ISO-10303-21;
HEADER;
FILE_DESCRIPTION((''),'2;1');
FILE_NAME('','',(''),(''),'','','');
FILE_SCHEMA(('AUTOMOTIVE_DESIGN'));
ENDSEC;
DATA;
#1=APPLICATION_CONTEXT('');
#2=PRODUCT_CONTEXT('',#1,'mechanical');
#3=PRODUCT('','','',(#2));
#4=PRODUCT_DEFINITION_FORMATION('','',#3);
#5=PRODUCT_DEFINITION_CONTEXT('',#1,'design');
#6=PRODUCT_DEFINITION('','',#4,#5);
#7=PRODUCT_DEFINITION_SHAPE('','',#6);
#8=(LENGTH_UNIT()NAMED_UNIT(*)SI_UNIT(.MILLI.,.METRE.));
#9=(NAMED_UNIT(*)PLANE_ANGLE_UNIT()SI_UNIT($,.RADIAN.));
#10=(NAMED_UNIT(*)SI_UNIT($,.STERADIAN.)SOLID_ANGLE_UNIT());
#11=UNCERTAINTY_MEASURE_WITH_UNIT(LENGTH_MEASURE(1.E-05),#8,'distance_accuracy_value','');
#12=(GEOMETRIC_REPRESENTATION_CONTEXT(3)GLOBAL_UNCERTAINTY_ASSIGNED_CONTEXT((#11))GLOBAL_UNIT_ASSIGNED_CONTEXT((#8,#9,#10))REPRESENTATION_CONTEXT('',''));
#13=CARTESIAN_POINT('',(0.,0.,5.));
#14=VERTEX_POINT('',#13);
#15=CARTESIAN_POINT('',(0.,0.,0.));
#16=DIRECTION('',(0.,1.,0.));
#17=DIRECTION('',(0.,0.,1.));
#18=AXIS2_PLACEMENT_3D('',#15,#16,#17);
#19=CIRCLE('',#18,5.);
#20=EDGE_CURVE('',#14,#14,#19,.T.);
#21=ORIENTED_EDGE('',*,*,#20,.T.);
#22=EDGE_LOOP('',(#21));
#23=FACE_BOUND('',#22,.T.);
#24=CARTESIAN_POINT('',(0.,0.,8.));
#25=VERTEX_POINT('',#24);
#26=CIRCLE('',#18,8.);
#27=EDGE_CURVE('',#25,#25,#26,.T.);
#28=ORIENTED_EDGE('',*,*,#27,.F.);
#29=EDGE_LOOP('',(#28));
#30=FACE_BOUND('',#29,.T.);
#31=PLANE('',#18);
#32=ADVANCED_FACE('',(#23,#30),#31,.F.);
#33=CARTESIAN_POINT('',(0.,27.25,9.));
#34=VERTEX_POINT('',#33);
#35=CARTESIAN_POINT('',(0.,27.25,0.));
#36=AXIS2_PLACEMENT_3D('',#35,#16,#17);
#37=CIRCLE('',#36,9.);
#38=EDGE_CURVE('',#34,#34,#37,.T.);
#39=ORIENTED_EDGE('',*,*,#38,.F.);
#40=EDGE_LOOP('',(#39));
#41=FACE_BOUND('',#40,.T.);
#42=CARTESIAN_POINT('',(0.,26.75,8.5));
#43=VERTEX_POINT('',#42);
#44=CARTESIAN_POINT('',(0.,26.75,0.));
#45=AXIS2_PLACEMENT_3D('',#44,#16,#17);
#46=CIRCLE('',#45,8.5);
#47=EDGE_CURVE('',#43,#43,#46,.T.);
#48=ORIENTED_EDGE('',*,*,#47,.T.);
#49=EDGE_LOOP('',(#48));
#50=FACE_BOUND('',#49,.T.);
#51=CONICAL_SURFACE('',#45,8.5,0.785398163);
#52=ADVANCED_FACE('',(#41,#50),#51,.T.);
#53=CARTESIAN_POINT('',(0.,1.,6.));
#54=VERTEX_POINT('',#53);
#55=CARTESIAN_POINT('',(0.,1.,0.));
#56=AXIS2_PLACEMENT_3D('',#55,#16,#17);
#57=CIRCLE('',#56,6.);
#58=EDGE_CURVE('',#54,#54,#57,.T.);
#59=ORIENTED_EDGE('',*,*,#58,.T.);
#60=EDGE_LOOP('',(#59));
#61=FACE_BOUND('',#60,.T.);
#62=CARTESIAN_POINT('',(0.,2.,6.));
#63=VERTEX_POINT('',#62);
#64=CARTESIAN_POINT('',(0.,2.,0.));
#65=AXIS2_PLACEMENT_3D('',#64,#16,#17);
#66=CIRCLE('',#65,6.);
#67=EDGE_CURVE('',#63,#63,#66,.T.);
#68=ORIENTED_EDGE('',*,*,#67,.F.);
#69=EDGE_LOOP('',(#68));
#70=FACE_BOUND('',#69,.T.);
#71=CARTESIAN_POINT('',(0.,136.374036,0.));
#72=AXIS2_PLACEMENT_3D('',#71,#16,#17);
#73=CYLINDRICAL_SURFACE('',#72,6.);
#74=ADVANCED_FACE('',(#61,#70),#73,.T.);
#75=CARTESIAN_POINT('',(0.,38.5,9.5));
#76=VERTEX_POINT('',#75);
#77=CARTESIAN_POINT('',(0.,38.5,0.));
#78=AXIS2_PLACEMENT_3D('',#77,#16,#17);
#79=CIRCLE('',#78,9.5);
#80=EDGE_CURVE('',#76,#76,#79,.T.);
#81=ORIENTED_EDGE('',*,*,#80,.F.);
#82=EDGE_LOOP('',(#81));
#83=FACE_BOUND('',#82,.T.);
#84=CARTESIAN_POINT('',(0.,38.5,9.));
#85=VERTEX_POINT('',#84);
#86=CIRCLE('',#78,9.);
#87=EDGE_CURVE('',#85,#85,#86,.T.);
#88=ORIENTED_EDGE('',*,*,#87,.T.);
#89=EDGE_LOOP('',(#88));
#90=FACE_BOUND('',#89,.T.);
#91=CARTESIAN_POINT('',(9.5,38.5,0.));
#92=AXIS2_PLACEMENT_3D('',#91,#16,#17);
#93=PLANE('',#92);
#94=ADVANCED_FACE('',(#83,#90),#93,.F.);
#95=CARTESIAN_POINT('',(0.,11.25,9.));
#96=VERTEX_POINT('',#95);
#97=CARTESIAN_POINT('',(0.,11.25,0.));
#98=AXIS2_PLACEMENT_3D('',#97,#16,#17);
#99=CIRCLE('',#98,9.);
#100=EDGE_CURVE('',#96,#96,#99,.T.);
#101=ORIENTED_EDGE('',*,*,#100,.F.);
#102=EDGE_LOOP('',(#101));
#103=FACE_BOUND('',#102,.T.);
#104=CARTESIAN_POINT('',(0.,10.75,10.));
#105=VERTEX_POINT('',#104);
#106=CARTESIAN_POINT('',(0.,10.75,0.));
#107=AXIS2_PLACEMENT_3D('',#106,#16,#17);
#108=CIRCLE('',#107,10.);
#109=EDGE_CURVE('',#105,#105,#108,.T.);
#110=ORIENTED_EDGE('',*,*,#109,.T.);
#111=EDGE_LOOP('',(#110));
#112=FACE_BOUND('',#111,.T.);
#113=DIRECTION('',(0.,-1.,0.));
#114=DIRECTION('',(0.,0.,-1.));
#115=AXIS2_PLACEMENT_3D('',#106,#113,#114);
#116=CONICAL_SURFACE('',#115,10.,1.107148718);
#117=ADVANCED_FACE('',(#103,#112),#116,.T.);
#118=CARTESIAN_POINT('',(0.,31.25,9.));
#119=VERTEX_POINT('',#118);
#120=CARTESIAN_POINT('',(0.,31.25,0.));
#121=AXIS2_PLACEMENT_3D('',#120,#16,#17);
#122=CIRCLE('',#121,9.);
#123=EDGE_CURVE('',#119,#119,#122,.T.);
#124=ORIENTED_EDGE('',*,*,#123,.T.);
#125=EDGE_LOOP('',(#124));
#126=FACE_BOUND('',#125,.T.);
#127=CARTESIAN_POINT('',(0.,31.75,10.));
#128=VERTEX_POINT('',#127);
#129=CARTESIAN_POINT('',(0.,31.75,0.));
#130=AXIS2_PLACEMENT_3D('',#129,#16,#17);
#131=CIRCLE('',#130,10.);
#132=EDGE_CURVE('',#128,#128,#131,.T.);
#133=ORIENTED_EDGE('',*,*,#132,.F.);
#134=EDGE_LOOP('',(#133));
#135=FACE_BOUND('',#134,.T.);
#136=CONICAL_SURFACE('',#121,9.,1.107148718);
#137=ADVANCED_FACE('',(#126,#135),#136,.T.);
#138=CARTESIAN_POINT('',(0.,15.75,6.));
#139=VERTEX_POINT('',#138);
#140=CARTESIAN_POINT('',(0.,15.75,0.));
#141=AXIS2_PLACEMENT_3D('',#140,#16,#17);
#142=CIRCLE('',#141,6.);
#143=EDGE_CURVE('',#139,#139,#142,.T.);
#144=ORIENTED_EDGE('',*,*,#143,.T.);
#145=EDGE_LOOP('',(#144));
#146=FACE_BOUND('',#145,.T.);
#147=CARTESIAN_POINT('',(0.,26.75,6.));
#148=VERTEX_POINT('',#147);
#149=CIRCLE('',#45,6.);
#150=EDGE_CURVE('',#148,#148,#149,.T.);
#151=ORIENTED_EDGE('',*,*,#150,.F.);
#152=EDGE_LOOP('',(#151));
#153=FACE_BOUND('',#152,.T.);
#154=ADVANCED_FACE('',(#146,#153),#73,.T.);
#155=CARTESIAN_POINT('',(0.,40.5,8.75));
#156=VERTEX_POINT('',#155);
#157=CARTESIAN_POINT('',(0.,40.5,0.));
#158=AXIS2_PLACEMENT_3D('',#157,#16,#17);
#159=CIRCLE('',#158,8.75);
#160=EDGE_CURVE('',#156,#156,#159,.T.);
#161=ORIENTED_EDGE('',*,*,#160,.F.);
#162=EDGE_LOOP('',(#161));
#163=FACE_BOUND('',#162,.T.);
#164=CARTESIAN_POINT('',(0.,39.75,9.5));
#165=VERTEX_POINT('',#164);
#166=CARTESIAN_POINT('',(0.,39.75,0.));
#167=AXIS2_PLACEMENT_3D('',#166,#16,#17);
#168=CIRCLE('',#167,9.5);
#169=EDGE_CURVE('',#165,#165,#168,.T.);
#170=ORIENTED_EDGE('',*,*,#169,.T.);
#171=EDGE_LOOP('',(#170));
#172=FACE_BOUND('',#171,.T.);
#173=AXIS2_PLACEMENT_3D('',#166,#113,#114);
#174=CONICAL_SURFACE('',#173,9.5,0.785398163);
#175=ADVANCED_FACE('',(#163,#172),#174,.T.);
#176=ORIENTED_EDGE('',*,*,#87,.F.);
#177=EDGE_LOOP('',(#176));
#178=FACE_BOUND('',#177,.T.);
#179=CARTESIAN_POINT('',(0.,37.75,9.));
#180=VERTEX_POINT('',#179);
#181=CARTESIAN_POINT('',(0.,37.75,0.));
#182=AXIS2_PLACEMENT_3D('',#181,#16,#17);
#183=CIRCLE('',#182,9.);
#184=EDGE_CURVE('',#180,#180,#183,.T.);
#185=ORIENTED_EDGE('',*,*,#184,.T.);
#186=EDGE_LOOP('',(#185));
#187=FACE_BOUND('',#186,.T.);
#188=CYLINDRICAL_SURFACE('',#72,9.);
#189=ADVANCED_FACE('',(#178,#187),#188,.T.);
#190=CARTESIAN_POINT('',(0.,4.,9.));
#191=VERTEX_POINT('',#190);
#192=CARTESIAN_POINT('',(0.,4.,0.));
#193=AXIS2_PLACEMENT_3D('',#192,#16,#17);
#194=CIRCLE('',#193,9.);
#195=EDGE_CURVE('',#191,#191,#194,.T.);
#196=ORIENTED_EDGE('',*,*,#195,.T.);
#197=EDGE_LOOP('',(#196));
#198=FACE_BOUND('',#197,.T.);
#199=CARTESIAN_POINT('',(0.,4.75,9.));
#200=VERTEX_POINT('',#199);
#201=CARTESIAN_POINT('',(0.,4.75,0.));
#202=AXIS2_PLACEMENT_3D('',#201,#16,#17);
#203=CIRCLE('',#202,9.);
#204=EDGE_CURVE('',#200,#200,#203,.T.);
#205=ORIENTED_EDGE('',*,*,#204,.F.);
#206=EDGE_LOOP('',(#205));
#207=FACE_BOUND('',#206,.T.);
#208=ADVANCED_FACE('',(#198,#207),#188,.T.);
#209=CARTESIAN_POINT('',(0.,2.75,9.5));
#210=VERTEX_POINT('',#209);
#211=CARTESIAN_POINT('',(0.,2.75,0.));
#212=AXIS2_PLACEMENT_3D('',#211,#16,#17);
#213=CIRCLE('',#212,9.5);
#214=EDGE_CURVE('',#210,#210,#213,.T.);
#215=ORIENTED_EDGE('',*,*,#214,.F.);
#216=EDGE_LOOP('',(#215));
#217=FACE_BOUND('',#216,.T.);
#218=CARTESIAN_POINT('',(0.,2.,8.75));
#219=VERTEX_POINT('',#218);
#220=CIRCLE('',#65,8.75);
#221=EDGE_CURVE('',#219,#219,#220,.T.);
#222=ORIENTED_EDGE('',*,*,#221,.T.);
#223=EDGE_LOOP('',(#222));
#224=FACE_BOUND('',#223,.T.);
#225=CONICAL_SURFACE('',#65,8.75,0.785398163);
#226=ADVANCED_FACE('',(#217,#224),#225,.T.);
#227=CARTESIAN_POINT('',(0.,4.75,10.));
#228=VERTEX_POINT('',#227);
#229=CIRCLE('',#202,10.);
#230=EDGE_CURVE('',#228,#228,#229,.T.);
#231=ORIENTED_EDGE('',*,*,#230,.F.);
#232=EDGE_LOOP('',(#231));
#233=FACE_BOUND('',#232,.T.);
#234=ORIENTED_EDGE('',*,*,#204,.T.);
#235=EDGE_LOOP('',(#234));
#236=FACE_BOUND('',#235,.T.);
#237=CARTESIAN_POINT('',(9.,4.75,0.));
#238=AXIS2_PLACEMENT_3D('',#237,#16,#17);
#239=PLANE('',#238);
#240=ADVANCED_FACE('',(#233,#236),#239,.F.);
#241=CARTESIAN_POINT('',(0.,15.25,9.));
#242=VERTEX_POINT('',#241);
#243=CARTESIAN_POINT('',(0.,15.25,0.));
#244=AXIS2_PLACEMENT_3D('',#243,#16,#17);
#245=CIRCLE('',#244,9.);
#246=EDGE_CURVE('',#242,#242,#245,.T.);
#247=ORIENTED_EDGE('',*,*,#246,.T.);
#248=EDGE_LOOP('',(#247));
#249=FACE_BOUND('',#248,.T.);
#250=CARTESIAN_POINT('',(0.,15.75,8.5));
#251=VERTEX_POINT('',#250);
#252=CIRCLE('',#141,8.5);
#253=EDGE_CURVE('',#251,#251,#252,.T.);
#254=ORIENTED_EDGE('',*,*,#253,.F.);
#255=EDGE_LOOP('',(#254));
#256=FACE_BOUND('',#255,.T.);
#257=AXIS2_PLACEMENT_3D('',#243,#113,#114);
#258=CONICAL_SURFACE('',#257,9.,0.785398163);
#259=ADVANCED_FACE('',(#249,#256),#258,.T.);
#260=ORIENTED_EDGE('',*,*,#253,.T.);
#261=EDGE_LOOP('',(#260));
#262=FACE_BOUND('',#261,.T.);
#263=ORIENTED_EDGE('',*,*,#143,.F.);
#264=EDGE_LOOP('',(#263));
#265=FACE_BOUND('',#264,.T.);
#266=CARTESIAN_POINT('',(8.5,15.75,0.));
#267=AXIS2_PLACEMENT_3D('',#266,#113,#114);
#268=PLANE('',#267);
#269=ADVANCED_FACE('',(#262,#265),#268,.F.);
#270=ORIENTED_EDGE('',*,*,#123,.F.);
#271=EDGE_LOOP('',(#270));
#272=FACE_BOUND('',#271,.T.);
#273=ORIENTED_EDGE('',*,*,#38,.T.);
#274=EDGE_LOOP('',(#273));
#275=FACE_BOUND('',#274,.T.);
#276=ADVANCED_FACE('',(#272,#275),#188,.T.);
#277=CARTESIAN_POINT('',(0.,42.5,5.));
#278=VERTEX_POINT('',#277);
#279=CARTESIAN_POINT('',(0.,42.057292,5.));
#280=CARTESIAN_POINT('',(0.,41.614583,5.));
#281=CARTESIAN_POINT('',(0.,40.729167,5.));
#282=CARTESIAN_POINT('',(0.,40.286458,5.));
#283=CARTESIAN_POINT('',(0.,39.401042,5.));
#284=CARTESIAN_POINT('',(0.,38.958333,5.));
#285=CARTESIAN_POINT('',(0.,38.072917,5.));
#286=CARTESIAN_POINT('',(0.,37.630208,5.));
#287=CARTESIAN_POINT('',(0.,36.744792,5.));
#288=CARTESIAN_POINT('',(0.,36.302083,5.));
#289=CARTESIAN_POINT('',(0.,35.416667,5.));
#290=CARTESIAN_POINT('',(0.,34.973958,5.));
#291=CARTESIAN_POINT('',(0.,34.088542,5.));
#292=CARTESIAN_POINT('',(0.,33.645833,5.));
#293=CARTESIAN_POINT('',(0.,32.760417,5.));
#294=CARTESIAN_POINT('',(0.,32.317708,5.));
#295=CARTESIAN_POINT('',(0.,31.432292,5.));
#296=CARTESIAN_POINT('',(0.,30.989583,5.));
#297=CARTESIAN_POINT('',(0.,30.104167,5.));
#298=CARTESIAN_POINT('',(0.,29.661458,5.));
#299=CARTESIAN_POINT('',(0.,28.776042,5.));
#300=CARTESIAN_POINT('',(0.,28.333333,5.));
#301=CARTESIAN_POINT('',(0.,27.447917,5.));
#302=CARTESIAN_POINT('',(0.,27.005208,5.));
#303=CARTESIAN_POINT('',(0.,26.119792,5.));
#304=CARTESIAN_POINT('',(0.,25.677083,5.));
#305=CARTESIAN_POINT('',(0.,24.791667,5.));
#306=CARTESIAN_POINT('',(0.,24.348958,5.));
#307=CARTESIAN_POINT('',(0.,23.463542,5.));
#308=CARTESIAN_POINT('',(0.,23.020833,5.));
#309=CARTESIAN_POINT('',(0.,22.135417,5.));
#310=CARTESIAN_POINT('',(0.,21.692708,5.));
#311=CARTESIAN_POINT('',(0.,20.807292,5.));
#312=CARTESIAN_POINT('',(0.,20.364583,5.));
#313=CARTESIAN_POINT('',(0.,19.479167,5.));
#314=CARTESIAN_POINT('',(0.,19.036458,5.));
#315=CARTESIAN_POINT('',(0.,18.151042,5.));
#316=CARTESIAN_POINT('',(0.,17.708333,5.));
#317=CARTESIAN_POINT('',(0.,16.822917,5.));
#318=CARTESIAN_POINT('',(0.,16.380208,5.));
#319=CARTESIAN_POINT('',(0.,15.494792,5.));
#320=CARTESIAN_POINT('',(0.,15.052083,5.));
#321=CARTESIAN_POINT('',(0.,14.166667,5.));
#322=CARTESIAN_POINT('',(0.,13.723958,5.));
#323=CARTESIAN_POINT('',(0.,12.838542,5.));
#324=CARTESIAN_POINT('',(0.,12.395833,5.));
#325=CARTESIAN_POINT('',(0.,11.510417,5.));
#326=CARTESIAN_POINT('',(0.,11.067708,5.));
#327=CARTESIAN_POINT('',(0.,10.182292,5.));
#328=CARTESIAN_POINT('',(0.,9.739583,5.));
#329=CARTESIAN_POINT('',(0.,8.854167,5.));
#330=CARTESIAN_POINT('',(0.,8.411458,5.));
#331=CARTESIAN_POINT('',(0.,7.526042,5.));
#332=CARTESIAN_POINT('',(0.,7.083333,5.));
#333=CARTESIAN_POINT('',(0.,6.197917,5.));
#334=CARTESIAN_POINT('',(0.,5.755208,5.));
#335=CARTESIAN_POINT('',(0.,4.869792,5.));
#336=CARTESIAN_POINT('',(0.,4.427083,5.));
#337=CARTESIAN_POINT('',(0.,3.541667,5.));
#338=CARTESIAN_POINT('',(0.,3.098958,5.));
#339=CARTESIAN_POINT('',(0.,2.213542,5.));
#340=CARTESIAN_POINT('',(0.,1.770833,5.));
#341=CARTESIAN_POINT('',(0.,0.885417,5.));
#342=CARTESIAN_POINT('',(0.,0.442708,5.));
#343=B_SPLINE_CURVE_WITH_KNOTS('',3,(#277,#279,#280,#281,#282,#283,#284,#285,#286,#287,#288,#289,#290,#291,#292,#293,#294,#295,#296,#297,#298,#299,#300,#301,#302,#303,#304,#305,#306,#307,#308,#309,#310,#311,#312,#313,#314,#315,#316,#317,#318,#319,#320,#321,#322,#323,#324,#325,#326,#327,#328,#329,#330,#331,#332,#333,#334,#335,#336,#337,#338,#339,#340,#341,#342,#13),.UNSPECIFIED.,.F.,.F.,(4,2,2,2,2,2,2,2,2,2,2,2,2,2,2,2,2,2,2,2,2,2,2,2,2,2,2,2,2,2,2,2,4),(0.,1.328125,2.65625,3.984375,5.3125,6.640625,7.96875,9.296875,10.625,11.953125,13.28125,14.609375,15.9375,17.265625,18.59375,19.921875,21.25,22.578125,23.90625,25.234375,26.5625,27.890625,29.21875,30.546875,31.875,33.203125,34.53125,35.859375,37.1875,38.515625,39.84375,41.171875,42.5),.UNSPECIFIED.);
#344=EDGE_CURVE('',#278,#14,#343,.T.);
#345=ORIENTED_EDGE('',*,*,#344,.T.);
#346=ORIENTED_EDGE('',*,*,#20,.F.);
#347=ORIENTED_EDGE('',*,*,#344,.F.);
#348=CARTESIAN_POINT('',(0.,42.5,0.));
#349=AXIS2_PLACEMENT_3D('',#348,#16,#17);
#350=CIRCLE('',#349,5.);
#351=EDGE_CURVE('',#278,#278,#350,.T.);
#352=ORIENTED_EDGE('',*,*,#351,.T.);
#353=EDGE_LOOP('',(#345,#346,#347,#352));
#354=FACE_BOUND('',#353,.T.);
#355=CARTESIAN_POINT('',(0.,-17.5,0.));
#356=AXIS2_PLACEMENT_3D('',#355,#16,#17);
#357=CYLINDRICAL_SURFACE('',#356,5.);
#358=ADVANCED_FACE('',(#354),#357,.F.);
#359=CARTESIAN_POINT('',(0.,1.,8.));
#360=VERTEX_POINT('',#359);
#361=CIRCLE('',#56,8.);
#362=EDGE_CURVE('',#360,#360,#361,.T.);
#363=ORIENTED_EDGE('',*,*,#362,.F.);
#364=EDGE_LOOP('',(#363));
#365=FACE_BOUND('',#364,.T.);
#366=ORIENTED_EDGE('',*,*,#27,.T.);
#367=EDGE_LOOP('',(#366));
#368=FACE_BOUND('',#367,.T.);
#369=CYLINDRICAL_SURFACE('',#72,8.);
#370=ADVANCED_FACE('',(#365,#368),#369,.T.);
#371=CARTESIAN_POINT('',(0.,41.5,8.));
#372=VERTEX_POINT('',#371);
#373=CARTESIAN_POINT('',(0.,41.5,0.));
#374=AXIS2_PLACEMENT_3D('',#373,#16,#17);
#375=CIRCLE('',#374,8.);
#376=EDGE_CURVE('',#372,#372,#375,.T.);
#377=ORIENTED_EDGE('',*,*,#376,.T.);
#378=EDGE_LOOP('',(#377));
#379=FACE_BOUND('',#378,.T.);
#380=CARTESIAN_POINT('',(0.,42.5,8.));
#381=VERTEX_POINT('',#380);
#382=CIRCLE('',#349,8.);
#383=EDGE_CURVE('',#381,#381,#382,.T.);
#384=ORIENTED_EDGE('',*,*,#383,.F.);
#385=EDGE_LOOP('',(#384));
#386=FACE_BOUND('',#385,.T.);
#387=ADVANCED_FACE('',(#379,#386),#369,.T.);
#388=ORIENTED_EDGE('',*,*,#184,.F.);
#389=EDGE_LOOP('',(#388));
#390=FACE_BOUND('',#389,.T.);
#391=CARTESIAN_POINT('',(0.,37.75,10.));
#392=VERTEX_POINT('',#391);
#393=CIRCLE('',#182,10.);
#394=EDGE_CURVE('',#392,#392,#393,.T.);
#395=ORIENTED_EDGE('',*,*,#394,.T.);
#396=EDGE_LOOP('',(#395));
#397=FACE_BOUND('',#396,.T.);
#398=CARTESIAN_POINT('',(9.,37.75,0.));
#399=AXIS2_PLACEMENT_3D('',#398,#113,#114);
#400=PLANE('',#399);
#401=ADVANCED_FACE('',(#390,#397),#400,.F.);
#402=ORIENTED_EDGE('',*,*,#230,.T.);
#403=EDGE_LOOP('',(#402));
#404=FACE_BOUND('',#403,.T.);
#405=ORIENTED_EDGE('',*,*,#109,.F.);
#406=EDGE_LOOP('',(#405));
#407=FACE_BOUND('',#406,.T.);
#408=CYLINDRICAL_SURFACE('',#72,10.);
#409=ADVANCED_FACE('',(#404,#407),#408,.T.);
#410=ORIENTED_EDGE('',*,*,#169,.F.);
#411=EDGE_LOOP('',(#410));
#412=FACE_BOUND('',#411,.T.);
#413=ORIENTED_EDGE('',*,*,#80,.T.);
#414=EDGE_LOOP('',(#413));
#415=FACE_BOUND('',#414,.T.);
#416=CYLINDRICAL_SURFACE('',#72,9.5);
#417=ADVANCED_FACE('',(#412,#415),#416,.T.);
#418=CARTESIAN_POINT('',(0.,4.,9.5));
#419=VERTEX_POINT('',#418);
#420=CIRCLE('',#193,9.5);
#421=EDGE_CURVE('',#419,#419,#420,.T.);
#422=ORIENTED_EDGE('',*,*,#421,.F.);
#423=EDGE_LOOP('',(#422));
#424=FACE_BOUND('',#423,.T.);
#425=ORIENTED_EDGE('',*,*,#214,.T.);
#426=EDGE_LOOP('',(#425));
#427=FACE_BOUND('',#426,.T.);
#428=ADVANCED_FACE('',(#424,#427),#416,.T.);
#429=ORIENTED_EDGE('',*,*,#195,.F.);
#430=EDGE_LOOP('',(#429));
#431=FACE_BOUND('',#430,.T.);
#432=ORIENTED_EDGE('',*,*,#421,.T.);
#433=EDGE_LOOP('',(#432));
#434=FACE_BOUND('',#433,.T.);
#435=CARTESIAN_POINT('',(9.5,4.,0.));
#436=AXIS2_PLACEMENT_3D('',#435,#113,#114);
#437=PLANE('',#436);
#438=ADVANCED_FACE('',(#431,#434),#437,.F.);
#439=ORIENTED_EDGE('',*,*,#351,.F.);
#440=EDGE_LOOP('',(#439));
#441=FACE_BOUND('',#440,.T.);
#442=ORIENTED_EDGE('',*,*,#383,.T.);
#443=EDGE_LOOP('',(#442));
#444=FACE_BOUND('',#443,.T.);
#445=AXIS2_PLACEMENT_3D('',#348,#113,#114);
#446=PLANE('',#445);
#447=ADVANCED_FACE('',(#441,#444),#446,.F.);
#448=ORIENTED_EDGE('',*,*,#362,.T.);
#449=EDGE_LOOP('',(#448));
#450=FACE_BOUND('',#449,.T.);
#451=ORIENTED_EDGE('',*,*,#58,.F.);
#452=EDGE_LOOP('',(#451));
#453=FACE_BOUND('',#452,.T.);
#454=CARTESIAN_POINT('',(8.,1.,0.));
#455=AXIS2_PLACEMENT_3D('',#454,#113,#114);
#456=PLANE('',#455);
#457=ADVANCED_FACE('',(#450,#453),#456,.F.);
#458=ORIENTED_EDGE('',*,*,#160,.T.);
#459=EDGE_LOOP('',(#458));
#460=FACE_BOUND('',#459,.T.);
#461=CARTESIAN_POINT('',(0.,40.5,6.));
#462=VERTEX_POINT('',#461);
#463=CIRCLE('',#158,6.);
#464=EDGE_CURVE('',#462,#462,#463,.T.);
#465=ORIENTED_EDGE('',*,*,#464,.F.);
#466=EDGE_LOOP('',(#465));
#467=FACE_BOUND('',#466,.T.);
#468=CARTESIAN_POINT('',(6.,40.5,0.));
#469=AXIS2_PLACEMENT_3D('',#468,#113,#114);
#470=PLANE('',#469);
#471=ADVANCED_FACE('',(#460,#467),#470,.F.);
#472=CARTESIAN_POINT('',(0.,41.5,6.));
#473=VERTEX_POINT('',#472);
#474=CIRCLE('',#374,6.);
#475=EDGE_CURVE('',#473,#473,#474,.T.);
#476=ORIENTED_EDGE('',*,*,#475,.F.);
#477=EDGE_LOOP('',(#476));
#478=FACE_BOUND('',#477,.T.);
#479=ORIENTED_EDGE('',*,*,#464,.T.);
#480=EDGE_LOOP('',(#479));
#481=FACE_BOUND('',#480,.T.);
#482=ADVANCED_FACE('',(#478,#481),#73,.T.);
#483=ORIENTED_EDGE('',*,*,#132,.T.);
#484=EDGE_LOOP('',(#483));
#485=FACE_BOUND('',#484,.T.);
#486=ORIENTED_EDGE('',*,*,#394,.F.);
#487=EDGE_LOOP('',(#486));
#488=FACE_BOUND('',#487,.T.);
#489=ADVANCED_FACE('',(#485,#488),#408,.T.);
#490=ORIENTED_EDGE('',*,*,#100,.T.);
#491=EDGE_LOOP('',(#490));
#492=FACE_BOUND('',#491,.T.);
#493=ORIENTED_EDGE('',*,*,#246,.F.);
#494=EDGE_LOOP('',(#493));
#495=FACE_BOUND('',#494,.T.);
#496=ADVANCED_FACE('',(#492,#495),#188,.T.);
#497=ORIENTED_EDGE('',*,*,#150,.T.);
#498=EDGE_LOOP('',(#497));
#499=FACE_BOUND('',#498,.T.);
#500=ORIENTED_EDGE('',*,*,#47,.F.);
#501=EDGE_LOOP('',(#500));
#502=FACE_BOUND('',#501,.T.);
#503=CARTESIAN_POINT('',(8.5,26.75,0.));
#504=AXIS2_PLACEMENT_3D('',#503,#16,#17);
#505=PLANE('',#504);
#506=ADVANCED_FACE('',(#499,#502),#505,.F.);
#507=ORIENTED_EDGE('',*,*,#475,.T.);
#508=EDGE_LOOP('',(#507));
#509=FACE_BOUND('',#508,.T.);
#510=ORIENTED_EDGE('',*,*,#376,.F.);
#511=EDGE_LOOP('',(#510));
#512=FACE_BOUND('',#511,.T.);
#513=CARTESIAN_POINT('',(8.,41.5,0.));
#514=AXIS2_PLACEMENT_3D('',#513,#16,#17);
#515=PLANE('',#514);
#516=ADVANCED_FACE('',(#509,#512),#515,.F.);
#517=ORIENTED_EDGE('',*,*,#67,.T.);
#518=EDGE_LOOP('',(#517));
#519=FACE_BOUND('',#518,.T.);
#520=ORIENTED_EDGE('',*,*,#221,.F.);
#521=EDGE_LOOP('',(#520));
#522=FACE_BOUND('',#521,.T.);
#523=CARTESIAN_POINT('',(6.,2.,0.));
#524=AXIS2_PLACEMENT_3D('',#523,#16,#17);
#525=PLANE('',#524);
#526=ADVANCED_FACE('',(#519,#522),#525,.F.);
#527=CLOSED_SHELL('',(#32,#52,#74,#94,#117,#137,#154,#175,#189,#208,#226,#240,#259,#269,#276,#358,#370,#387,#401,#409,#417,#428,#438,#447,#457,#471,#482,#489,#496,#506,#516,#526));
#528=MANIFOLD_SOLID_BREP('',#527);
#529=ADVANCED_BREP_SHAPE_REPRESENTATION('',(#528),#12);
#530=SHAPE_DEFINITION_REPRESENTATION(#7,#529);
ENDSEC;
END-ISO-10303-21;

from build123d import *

# Parameters (mm, degrees)
SKETCH_2_R          = 5
CUT_EXTRUDE_1_DEPTH = 60


with BuildPart() as part:
    # Эскиз1 → Повернуть1 (revolve)
    with BuildSketch(Plane.XY, mode=Mode.PRIVATE) as revolve_1_sk:
        Polygon((8, 1), (6, 1), (6, 2), (8.75, 2), (9.5, 2.75), (9.5, 4), (9, 4), (9, 4.75), (10, 4.75), (10, 10.75), (9, 11.25), (9, 15.25), (8.5, 15.75), (6, 15.75), (6, 26.75), (8.5, 26.75), (9, 27.25), (9, 31.25), (10, 31.75), (10, 37.75), (9, 37.75), (9, 38.5), (9.5, 38.5), (9.5, 39.75), (8.75, 40.5), (6, 40.5), (6, 41.5), (8, 41.5), (8, 42.5), (0, 42.5), (0, 0), (8, 0), align=None)
    revolve(revolve_1_sk.sketch.rotate(Axis((0, 136.374036199, 0), (0, -1, 0)), 90), axis=Axis((0, 136.374036199, 0), (0, -1, 0)))

    # Эскиз2 → Вырез-Вытянуть1 (cut)
    with BuildSketch(Plane(origin=(0, 42.5, 0), x_dir=(1, 0, 0), z_dir=(0, 1, 0))):
        with Locations(Location((0, 0, 0), (0, 0, 270))):
            Circle(SKETCH_2_R)
    extrude(amount=-CUT_EXTRUDE_1_DEPTH, mode=Mode.SUBTRACT)


solid = part.part
